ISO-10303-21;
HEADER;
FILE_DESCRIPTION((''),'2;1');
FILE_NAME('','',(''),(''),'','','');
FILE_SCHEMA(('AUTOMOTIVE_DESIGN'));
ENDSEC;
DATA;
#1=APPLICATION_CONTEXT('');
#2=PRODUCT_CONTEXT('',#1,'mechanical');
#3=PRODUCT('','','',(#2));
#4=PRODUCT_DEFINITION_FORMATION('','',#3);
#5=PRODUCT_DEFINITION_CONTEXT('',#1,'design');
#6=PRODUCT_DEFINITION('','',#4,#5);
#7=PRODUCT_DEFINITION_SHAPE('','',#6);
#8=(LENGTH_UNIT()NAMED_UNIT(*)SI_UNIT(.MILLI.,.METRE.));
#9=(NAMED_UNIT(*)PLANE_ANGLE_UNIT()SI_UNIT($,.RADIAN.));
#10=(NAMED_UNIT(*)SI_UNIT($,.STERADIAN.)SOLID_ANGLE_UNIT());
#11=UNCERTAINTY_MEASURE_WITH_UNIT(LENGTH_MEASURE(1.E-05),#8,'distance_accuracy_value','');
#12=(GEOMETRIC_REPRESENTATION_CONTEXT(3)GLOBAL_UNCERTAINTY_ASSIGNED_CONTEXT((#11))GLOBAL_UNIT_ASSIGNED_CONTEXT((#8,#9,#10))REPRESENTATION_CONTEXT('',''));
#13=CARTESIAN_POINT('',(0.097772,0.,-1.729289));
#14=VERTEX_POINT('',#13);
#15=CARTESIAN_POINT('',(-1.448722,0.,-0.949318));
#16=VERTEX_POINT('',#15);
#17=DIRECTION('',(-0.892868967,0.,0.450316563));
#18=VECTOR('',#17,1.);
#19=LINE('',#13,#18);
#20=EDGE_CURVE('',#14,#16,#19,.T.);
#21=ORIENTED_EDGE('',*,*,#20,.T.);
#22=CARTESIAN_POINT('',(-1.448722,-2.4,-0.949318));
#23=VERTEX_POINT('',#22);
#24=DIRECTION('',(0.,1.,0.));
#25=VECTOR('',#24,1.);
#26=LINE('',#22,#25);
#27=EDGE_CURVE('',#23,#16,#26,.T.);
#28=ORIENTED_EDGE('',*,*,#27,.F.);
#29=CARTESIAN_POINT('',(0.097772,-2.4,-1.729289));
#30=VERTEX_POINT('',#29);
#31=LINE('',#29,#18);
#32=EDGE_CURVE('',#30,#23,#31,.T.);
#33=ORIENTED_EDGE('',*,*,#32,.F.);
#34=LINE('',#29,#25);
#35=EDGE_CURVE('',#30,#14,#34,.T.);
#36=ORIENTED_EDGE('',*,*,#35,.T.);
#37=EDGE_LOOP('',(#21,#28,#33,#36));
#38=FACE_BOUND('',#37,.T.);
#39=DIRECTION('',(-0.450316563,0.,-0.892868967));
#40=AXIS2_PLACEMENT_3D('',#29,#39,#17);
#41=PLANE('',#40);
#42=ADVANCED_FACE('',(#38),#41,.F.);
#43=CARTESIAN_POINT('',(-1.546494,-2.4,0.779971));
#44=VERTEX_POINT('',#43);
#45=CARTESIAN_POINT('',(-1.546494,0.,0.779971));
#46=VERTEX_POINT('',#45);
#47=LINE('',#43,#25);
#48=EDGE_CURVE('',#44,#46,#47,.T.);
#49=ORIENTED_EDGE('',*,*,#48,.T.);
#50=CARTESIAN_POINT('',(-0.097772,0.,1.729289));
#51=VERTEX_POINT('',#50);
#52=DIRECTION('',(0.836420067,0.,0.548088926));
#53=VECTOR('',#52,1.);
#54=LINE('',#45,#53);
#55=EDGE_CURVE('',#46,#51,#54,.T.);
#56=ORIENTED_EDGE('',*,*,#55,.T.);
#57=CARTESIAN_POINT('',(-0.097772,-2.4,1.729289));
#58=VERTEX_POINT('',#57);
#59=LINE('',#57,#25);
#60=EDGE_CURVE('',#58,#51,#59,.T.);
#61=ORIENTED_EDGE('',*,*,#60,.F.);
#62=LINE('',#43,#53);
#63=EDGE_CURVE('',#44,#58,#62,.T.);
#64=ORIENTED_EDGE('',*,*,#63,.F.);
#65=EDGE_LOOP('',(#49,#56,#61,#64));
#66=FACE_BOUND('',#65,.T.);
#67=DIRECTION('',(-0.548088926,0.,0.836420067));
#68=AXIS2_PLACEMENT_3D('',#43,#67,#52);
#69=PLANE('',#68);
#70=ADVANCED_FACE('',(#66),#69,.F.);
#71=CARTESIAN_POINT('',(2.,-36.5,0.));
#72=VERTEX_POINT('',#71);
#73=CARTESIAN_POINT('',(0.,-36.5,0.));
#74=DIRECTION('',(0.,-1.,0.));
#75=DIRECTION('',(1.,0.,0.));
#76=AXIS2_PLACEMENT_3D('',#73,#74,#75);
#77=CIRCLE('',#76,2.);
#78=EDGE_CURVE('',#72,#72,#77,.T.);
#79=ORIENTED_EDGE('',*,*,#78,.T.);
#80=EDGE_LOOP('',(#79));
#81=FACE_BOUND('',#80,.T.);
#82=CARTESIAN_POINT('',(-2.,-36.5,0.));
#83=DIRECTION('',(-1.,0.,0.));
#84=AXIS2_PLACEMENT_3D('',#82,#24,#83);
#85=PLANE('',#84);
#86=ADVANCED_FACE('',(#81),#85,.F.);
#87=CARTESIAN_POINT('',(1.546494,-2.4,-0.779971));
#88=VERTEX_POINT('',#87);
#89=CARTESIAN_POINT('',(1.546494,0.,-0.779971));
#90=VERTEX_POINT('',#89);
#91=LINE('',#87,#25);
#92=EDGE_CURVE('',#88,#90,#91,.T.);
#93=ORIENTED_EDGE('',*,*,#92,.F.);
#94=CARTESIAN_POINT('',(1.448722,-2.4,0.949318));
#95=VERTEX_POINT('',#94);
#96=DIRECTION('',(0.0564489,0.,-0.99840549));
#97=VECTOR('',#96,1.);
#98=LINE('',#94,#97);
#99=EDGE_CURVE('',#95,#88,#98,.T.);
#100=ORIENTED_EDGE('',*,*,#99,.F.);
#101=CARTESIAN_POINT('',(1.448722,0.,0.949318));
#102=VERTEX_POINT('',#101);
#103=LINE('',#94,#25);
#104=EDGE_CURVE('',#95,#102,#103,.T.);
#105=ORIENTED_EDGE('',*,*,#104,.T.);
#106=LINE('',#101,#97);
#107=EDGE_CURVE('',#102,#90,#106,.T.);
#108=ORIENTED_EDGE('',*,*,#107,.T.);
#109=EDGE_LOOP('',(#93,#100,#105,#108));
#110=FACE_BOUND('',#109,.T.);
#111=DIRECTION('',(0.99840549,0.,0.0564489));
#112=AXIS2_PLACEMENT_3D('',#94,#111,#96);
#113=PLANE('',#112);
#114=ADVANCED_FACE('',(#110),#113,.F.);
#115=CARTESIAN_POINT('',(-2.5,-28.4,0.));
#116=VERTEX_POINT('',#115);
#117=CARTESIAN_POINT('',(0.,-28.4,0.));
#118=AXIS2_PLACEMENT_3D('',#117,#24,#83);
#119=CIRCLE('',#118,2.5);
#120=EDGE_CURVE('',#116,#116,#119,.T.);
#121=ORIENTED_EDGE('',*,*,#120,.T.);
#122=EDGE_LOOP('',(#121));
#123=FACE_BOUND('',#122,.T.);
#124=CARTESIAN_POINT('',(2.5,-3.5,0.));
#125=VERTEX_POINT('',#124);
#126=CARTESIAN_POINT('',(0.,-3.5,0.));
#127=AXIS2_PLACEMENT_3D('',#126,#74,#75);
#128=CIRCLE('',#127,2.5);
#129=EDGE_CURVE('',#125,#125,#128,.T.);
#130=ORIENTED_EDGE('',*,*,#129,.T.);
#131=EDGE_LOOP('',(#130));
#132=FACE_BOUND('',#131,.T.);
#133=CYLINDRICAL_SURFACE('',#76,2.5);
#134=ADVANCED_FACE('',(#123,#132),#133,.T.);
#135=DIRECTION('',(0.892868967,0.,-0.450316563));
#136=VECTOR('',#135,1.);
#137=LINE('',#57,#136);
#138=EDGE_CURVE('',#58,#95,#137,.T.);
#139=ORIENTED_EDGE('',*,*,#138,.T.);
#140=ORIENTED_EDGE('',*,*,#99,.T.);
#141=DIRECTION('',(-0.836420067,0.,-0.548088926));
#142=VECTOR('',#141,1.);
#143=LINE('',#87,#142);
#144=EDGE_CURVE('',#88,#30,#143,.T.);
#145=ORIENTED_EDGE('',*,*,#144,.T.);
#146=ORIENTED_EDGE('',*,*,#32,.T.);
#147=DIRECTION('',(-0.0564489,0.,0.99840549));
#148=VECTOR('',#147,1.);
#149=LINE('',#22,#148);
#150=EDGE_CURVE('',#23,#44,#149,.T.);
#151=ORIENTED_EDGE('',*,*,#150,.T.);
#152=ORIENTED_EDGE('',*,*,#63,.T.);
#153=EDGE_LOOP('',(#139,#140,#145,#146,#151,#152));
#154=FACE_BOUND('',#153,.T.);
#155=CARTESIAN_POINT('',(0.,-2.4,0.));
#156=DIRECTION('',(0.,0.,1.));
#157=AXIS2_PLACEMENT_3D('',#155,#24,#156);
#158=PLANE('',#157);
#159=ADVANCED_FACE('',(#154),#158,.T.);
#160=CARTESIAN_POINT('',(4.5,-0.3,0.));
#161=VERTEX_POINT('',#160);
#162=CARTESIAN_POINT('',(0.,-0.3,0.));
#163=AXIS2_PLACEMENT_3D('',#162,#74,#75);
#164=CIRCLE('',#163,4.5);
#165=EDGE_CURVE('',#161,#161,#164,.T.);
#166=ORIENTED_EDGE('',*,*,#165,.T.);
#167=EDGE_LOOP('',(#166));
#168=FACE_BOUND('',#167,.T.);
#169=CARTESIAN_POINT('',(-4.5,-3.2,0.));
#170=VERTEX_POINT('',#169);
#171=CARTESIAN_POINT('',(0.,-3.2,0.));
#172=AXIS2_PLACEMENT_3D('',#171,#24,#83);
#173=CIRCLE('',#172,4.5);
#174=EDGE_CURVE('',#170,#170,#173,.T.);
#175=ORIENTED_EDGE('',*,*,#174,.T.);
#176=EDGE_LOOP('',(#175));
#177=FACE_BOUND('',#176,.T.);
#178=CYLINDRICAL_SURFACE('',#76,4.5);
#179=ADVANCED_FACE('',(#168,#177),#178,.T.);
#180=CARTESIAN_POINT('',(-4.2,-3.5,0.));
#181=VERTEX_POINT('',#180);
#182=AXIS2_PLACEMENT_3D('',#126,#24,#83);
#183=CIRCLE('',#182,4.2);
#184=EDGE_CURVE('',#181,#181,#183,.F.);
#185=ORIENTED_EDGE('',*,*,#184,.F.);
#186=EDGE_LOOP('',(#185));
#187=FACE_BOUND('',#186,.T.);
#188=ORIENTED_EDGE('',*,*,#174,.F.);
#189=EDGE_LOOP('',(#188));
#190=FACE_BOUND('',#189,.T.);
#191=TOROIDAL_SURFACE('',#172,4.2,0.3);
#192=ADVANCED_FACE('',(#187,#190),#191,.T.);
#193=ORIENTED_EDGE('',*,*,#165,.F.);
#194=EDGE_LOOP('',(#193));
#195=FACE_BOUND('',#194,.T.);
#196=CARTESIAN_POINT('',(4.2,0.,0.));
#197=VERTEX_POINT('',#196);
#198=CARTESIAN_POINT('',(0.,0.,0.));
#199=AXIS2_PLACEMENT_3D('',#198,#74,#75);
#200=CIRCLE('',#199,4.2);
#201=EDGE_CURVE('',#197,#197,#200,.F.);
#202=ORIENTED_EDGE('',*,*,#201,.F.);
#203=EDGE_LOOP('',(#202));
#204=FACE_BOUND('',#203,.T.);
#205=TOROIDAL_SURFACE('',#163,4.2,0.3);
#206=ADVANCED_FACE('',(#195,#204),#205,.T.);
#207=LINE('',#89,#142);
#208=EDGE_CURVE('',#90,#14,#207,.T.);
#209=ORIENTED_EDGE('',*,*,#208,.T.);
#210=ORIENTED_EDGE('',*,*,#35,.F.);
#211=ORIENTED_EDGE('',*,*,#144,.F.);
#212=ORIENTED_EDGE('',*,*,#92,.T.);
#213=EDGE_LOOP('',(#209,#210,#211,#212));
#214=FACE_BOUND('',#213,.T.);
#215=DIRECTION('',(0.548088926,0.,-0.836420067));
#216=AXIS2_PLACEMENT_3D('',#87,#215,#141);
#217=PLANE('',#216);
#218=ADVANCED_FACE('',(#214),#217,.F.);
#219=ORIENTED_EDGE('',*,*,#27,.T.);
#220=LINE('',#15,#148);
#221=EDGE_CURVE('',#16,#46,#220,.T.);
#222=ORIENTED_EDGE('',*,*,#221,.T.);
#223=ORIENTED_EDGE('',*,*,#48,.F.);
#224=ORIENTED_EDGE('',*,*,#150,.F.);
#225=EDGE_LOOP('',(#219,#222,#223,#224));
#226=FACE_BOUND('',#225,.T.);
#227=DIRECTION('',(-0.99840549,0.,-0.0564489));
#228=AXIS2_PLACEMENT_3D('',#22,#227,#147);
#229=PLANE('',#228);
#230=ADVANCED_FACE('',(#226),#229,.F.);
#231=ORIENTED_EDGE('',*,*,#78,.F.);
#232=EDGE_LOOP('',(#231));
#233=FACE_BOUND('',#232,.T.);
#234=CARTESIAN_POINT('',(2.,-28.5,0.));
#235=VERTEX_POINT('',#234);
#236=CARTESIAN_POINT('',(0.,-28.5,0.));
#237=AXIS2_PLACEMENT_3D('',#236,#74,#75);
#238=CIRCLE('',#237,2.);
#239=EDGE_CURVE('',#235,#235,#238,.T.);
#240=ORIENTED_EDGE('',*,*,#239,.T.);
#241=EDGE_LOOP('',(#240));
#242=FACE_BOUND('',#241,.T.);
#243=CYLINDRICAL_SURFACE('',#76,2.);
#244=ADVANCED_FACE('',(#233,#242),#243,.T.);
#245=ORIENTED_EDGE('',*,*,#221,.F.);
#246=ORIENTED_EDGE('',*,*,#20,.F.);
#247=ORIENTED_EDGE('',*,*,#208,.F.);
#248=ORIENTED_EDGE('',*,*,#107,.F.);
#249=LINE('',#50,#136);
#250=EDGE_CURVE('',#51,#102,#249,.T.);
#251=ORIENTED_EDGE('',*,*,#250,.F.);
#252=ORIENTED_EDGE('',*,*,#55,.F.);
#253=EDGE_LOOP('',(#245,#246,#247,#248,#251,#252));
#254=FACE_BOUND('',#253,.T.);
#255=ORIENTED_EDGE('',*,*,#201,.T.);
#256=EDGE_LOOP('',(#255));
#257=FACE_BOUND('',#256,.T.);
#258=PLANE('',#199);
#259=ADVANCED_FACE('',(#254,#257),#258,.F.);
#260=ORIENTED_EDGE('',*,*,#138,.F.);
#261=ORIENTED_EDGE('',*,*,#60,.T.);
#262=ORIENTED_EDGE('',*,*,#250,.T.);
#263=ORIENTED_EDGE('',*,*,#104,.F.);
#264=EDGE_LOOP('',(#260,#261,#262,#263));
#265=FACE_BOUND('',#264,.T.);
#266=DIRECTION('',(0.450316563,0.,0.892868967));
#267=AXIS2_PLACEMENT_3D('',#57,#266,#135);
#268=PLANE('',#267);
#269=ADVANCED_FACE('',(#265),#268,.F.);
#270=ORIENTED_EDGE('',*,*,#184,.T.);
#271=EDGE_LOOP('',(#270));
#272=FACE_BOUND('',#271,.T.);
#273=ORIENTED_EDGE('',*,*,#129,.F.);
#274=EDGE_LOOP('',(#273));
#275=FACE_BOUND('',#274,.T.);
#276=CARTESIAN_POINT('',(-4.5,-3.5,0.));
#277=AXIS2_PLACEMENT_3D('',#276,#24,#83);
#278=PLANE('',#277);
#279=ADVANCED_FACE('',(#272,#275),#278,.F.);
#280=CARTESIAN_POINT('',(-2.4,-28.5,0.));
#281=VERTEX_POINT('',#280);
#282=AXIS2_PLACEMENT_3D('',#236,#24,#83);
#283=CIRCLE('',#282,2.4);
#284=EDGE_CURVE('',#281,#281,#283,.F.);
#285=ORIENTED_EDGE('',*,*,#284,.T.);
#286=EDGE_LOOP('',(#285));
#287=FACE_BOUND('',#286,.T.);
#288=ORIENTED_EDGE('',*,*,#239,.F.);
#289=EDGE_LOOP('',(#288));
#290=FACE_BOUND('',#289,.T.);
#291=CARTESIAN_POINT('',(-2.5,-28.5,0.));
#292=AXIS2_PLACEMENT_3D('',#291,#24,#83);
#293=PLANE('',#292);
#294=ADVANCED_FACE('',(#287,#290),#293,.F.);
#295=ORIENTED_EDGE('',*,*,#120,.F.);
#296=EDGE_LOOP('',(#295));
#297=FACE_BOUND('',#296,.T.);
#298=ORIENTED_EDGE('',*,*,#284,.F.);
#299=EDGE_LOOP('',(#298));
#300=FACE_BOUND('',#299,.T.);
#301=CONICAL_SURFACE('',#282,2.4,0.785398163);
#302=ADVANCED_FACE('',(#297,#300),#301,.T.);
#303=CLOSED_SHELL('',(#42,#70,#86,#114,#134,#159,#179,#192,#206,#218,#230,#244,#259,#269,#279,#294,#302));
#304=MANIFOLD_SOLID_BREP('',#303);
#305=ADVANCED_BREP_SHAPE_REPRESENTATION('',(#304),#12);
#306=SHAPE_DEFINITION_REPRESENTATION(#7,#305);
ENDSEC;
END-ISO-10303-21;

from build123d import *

# Parameters (mm, degrees)
FILLET_2_R          = 0.3
CUT_EXTRUDE_1_DEPTH = 2.4
CHAMFER_2_SIZE      = 0.1


with BuildPart() as part:
    # 草图1 → 旋转1 (revolve)
    with BuildSketch(Plane.XY):
        Polygon((0, 0), (-4.5, 0), (-4.5, -3.5), (-2.5, -3.5), (-2.5, -28.5), (-2, -28.5), (-2, -36.5), (0, -36.5), align=None)
    revolve(axis=Axis((0, -36.5, 0), (0, 1, 0)))

    # 圆角2
    fillet_2_edges = [part.edges().sort_by_distance(p)[0] for p in [
        (4.5, -3.5, 0),
        (4.5, 0, 0),
    ]]
    fillet(fillet_2_edges, radius=FILLET_2_R)

    # 草图2 → 切除-拉伸1 (cut)
    with BuildSketch(Plane(origin=(0, 0, 0), x_dir=(1, 0, 0), z_dir=(0, 1, 0))):
        Polygon((1.448722053, -0.949317867), (1.546494416, 0.779971167), (0.097772363, 1.729289035), (-1.448722053, 0.949317867), (-1.546494416, -0.779971167), (-0.097772363, -1.729289035), align=None)
    extrude(amount=-CUT_EXTRUDE_1_DEPTH, mode=Mode.SUBTRACT)

    # 倒角2
    chamfer_2_edges = [part.edges().sort_by_distance(p)[0] for p in [
        (2.5, -28.5, 0),
    ]]
    chamfer(chamfer_2_edges, length=CHAMFER_2_SIZE)


solid = part.part
